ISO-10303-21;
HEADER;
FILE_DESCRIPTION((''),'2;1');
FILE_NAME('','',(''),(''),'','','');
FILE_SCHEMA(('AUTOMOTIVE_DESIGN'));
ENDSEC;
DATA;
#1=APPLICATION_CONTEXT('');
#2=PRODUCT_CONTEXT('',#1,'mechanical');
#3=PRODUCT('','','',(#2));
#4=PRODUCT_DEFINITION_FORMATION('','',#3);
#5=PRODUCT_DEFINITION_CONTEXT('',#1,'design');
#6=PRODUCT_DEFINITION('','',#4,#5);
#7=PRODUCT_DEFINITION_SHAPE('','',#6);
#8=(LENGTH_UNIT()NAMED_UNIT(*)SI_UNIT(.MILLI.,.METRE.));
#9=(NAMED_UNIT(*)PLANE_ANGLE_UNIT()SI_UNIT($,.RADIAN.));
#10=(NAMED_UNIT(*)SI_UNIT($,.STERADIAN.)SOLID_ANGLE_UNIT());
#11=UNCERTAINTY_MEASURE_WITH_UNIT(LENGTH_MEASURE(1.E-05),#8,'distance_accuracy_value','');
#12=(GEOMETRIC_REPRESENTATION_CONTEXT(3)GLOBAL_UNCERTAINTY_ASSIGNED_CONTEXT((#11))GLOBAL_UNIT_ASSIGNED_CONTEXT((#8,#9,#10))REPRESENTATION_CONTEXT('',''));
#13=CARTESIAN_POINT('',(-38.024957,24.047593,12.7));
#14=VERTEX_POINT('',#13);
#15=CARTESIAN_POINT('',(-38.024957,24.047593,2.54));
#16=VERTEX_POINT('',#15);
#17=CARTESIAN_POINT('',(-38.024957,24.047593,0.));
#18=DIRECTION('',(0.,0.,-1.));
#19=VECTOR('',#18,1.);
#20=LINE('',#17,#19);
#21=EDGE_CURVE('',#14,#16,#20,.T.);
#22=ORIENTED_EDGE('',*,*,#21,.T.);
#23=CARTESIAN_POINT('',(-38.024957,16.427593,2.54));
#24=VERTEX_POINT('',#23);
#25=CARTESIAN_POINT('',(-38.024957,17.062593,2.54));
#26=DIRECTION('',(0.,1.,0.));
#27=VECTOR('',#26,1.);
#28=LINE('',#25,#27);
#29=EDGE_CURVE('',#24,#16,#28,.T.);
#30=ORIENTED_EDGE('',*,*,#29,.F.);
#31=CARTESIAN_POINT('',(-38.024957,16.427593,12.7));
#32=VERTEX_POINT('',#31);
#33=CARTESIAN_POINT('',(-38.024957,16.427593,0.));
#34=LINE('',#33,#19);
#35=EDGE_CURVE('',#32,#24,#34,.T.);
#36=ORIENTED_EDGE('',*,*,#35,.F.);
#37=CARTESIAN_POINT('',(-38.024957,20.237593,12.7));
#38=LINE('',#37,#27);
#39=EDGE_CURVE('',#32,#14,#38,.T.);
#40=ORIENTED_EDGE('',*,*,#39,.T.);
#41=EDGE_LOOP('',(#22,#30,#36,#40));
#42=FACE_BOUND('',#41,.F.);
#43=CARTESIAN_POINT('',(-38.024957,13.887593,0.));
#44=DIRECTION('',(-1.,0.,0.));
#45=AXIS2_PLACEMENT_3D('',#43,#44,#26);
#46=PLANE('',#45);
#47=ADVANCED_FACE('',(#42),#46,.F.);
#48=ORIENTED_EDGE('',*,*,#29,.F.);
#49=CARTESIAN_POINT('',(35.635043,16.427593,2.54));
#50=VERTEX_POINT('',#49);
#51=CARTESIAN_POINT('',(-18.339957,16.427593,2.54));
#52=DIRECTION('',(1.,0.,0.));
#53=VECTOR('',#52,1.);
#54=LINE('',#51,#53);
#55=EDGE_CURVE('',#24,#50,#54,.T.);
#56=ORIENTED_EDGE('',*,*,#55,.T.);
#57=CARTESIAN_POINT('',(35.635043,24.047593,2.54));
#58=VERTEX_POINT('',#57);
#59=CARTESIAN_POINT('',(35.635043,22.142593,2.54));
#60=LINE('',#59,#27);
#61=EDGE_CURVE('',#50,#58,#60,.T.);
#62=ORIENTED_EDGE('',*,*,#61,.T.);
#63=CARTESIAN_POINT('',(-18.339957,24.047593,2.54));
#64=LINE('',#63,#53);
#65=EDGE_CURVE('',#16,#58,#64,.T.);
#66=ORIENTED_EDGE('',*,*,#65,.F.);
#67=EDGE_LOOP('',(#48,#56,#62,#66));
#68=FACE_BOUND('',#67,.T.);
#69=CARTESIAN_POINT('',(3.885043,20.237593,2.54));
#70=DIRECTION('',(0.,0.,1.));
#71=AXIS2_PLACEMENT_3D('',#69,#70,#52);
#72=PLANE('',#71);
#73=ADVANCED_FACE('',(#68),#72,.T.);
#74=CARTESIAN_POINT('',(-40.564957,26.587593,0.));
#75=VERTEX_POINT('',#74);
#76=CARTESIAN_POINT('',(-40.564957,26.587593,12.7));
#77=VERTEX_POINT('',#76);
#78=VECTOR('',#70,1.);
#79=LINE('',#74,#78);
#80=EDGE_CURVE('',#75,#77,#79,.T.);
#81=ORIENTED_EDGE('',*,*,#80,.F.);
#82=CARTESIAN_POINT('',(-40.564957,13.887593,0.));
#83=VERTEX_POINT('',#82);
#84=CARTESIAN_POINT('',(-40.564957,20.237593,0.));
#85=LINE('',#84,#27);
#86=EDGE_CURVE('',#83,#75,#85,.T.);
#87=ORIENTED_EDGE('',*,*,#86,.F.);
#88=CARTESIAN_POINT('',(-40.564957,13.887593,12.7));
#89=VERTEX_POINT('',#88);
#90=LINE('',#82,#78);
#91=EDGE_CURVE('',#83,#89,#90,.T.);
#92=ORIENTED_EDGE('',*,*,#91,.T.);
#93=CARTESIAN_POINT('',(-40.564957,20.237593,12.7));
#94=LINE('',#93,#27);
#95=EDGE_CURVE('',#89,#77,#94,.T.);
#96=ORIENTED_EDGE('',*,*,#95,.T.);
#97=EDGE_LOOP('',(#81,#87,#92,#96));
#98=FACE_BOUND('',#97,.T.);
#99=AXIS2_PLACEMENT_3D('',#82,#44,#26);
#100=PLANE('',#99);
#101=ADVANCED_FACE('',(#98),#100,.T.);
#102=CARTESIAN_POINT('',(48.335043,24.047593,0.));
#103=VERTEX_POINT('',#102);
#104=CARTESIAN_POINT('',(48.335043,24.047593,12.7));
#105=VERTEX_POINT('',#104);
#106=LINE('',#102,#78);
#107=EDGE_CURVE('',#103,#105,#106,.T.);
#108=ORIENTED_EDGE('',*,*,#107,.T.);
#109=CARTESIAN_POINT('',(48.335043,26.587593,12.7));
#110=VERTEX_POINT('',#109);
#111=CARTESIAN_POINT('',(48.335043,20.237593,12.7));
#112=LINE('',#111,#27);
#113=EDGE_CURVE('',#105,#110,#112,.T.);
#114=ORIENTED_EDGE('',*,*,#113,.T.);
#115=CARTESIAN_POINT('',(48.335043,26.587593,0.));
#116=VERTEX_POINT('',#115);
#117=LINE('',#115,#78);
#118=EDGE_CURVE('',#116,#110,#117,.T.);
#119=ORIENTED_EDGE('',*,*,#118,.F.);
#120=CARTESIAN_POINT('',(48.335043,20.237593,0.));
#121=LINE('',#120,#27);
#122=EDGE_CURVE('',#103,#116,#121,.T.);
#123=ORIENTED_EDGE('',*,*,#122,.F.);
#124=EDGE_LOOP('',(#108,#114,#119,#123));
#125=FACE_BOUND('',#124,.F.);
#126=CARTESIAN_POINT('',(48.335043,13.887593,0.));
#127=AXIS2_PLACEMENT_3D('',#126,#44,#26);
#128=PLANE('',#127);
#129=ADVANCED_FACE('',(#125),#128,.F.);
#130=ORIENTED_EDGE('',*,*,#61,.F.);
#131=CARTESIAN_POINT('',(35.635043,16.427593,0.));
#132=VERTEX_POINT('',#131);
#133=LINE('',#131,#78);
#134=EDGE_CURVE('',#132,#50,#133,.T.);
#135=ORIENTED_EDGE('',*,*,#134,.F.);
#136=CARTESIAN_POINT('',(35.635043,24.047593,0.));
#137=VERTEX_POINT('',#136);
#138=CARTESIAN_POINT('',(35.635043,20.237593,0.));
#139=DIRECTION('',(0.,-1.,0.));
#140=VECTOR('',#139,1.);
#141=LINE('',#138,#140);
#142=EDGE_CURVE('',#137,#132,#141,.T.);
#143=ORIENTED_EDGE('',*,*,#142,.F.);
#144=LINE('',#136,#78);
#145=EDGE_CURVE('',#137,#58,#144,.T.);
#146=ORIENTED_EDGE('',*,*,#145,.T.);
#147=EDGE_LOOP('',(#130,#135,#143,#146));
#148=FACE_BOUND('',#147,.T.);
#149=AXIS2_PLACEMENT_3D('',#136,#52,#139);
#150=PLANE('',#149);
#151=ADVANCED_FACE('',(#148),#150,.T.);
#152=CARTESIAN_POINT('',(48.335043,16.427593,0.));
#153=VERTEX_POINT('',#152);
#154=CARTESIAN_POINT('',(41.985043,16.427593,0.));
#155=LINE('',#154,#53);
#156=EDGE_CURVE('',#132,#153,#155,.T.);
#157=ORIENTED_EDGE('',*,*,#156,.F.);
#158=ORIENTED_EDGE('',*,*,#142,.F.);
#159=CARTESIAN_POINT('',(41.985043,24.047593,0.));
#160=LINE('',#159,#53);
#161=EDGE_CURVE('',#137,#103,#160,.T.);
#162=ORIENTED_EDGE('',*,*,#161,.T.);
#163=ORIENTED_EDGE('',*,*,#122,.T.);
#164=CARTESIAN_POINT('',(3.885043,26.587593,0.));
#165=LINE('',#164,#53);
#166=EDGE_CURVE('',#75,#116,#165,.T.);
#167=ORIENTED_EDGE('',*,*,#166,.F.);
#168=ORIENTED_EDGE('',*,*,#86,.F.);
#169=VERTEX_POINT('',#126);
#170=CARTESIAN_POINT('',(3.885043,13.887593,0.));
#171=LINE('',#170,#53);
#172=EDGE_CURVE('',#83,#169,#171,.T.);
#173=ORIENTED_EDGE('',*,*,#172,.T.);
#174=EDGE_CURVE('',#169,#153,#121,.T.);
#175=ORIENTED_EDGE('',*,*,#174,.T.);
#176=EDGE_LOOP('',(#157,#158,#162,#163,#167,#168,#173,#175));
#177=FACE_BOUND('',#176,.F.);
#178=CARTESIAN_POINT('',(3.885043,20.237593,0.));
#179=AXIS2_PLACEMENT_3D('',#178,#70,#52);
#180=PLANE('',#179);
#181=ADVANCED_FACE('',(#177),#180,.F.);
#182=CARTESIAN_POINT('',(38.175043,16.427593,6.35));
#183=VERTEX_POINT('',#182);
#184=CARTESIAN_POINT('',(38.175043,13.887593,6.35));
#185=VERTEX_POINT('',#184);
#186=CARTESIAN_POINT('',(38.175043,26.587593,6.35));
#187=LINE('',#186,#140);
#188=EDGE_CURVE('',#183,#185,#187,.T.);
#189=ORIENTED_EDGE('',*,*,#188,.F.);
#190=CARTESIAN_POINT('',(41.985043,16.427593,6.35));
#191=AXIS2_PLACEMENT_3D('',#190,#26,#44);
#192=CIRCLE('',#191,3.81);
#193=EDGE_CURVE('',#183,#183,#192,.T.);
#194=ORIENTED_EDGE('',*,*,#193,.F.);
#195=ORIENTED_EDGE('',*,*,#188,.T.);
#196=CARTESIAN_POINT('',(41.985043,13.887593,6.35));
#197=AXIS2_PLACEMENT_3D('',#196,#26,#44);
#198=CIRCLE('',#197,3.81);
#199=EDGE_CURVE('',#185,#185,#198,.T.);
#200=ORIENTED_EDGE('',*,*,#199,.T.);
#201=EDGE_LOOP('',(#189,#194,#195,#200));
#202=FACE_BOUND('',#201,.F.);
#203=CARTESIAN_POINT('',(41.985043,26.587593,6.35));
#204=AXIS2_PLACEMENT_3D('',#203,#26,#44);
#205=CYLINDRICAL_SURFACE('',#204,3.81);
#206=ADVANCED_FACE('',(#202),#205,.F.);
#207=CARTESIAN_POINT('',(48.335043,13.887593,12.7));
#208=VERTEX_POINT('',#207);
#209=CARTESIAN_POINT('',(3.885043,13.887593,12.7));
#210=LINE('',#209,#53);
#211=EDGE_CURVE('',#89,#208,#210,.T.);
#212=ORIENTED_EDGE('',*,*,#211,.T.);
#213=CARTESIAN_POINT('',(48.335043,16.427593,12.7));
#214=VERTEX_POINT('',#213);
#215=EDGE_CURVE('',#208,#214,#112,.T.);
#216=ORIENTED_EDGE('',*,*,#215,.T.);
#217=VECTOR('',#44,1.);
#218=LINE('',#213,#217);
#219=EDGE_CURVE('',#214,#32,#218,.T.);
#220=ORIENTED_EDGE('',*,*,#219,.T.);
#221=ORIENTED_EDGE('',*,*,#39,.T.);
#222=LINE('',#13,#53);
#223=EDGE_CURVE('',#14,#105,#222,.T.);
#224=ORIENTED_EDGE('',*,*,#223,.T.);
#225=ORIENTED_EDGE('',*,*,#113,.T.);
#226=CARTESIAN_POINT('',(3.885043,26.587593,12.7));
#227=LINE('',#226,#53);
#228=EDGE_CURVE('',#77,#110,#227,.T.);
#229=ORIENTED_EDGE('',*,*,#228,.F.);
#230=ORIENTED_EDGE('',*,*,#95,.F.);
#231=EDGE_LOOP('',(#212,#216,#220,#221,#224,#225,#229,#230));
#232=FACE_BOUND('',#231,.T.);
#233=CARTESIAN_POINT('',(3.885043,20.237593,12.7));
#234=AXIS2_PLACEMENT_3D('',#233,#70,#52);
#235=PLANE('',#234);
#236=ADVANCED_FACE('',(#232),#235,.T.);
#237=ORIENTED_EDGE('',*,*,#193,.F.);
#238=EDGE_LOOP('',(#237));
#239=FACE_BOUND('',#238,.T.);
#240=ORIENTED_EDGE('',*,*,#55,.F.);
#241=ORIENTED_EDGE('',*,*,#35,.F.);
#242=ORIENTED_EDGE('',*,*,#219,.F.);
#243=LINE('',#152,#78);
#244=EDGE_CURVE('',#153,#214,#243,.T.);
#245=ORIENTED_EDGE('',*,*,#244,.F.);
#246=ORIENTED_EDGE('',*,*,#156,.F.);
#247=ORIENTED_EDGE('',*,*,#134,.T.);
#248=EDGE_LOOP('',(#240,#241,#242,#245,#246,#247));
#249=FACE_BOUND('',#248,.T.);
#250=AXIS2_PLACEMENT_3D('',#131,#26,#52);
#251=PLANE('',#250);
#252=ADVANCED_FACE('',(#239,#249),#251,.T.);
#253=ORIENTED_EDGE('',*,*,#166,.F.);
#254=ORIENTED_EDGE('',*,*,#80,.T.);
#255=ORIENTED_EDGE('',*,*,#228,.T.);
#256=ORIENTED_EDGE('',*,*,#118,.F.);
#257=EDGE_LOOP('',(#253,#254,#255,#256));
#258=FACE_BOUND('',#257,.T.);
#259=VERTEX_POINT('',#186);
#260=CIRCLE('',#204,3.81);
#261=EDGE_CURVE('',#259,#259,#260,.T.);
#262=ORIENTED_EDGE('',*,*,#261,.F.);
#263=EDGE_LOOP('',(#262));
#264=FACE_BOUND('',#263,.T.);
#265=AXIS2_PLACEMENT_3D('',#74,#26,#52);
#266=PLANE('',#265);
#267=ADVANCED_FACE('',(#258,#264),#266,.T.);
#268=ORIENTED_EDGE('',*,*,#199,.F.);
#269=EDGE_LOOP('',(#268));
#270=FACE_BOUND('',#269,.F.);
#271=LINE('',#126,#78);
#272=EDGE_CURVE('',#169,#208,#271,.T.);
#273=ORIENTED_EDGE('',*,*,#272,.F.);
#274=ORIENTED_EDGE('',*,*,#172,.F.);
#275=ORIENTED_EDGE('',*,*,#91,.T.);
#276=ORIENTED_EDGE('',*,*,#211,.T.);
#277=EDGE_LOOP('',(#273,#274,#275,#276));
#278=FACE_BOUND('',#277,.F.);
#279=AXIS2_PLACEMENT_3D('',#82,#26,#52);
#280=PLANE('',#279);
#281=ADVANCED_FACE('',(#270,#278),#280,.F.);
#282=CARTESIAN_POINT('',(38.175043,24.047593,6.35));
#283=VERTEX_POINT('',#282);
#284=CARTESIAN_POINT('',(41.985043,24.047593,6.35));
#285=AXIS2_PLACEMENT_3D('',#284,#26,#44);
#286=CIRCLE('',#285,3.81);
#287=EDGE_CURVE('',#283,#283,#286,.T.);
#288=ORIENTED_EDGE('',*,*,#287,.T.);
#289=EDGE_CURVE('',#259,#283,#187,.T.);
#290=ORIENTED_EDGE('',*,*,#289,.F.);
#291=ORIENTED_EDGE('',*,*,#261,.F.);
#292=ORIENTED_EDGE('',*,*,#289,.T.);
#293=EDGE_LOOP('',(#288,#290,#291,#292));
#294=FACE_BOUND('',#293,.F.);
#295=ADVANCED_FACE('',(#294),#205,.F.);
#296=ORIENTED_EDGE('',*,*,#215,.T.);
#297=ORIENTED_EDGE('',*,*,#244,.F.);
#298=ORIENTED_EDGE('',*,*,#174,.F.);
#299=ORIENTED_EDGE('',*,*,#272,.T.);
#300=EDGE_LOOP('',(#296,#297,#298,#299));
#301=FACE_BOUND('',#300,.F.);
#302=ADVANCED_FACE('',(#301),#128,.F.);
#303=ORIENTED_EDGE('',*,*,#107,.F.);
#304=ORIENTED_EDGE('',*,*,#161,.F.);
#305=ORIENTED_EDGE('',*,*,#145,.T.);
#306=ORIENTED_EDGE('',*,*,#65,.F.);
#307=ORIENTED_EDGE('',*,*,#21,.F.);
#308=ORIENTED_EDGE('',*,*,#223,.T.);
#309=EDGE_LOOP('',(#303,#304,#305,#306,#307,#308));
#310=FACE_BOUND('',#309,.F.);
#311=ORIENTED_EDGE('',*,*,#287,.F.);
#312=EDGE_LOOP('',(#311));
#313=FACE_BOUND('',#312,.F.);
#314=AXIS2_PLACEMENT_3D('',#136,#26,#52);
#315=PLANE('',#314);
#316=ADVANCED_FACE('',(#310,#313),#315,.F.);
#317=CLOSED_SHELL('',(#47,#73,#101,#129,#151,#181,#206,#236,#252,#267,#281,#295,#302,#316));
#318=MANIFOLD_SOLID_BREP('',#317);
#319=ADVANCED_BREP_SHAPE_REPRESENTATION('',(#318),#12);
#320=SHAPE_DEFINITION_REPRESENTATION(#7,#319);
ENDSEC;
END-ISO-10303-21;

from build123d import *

# Parameters (mm, degrees)
F0_W     = 88.9
F0_H     = 12.7
F1_DEPTH = 12.7
F2_W     = 83.82
F2_H     = 7.62
F3_DEPTH = 10.16
F4_T     = -2.54
F5_W     = 12.7
F5_H     = 7.62
F6_DEPTH = 25.4
F7_R     = 3.81
F8_DEPTH = 25.4


with BuildPart() as f1:
    # F0 (on Top) → F1 (new body)
    with BuildSketch(Plane.XY):
        with Locations((3.885043, 20.237593)):
            Rectangle(F0_W, F0_H)
    extrude(amount=F1_DEPTH)

    # F2 (on face) → F3 (join)
    with BuildSketch(Plane.XY.offset(12.7)):
        with Locations((3.885043, 20.237593)):
            Rectangle(F2_W, F2_H)
    extrude(amount=-F3_DEPTH)

    # F4
    f4_openings = [f1.faces().sort_by_distance(p)[0] for p in [
        (3.885043, 20.237593, 12.7),
    ]]
    offset(amount=F4_T, openings=f4_openings)

    # F5 (on face) → F6 (cut)
    with BuildSketch(Plane(origin=(0, 0, 0), x_dir=(1, 0, 0), z_dir=(0, 0, -1))):
        with Locations((41.985043, -20.237593)):
            Rectangle(F5_W, F5_H)
    extrude(amount=-F6_DEPTH, mode=Mode.SUBTRACT)

    # F7 (on face) → F8 (cut)
    with BuildSketch(Plane(origin=(0, 26.587593, 0), x_dir=(-1, 0, 0), z_dir=(0, 1, 0))):
        with Locations((-41.985043, 6.35)):
            Circle(F7_R)
    extrude(amount=-F8_DEPTH, mode=Mode.SUBTRACT)


solid = f1.part
